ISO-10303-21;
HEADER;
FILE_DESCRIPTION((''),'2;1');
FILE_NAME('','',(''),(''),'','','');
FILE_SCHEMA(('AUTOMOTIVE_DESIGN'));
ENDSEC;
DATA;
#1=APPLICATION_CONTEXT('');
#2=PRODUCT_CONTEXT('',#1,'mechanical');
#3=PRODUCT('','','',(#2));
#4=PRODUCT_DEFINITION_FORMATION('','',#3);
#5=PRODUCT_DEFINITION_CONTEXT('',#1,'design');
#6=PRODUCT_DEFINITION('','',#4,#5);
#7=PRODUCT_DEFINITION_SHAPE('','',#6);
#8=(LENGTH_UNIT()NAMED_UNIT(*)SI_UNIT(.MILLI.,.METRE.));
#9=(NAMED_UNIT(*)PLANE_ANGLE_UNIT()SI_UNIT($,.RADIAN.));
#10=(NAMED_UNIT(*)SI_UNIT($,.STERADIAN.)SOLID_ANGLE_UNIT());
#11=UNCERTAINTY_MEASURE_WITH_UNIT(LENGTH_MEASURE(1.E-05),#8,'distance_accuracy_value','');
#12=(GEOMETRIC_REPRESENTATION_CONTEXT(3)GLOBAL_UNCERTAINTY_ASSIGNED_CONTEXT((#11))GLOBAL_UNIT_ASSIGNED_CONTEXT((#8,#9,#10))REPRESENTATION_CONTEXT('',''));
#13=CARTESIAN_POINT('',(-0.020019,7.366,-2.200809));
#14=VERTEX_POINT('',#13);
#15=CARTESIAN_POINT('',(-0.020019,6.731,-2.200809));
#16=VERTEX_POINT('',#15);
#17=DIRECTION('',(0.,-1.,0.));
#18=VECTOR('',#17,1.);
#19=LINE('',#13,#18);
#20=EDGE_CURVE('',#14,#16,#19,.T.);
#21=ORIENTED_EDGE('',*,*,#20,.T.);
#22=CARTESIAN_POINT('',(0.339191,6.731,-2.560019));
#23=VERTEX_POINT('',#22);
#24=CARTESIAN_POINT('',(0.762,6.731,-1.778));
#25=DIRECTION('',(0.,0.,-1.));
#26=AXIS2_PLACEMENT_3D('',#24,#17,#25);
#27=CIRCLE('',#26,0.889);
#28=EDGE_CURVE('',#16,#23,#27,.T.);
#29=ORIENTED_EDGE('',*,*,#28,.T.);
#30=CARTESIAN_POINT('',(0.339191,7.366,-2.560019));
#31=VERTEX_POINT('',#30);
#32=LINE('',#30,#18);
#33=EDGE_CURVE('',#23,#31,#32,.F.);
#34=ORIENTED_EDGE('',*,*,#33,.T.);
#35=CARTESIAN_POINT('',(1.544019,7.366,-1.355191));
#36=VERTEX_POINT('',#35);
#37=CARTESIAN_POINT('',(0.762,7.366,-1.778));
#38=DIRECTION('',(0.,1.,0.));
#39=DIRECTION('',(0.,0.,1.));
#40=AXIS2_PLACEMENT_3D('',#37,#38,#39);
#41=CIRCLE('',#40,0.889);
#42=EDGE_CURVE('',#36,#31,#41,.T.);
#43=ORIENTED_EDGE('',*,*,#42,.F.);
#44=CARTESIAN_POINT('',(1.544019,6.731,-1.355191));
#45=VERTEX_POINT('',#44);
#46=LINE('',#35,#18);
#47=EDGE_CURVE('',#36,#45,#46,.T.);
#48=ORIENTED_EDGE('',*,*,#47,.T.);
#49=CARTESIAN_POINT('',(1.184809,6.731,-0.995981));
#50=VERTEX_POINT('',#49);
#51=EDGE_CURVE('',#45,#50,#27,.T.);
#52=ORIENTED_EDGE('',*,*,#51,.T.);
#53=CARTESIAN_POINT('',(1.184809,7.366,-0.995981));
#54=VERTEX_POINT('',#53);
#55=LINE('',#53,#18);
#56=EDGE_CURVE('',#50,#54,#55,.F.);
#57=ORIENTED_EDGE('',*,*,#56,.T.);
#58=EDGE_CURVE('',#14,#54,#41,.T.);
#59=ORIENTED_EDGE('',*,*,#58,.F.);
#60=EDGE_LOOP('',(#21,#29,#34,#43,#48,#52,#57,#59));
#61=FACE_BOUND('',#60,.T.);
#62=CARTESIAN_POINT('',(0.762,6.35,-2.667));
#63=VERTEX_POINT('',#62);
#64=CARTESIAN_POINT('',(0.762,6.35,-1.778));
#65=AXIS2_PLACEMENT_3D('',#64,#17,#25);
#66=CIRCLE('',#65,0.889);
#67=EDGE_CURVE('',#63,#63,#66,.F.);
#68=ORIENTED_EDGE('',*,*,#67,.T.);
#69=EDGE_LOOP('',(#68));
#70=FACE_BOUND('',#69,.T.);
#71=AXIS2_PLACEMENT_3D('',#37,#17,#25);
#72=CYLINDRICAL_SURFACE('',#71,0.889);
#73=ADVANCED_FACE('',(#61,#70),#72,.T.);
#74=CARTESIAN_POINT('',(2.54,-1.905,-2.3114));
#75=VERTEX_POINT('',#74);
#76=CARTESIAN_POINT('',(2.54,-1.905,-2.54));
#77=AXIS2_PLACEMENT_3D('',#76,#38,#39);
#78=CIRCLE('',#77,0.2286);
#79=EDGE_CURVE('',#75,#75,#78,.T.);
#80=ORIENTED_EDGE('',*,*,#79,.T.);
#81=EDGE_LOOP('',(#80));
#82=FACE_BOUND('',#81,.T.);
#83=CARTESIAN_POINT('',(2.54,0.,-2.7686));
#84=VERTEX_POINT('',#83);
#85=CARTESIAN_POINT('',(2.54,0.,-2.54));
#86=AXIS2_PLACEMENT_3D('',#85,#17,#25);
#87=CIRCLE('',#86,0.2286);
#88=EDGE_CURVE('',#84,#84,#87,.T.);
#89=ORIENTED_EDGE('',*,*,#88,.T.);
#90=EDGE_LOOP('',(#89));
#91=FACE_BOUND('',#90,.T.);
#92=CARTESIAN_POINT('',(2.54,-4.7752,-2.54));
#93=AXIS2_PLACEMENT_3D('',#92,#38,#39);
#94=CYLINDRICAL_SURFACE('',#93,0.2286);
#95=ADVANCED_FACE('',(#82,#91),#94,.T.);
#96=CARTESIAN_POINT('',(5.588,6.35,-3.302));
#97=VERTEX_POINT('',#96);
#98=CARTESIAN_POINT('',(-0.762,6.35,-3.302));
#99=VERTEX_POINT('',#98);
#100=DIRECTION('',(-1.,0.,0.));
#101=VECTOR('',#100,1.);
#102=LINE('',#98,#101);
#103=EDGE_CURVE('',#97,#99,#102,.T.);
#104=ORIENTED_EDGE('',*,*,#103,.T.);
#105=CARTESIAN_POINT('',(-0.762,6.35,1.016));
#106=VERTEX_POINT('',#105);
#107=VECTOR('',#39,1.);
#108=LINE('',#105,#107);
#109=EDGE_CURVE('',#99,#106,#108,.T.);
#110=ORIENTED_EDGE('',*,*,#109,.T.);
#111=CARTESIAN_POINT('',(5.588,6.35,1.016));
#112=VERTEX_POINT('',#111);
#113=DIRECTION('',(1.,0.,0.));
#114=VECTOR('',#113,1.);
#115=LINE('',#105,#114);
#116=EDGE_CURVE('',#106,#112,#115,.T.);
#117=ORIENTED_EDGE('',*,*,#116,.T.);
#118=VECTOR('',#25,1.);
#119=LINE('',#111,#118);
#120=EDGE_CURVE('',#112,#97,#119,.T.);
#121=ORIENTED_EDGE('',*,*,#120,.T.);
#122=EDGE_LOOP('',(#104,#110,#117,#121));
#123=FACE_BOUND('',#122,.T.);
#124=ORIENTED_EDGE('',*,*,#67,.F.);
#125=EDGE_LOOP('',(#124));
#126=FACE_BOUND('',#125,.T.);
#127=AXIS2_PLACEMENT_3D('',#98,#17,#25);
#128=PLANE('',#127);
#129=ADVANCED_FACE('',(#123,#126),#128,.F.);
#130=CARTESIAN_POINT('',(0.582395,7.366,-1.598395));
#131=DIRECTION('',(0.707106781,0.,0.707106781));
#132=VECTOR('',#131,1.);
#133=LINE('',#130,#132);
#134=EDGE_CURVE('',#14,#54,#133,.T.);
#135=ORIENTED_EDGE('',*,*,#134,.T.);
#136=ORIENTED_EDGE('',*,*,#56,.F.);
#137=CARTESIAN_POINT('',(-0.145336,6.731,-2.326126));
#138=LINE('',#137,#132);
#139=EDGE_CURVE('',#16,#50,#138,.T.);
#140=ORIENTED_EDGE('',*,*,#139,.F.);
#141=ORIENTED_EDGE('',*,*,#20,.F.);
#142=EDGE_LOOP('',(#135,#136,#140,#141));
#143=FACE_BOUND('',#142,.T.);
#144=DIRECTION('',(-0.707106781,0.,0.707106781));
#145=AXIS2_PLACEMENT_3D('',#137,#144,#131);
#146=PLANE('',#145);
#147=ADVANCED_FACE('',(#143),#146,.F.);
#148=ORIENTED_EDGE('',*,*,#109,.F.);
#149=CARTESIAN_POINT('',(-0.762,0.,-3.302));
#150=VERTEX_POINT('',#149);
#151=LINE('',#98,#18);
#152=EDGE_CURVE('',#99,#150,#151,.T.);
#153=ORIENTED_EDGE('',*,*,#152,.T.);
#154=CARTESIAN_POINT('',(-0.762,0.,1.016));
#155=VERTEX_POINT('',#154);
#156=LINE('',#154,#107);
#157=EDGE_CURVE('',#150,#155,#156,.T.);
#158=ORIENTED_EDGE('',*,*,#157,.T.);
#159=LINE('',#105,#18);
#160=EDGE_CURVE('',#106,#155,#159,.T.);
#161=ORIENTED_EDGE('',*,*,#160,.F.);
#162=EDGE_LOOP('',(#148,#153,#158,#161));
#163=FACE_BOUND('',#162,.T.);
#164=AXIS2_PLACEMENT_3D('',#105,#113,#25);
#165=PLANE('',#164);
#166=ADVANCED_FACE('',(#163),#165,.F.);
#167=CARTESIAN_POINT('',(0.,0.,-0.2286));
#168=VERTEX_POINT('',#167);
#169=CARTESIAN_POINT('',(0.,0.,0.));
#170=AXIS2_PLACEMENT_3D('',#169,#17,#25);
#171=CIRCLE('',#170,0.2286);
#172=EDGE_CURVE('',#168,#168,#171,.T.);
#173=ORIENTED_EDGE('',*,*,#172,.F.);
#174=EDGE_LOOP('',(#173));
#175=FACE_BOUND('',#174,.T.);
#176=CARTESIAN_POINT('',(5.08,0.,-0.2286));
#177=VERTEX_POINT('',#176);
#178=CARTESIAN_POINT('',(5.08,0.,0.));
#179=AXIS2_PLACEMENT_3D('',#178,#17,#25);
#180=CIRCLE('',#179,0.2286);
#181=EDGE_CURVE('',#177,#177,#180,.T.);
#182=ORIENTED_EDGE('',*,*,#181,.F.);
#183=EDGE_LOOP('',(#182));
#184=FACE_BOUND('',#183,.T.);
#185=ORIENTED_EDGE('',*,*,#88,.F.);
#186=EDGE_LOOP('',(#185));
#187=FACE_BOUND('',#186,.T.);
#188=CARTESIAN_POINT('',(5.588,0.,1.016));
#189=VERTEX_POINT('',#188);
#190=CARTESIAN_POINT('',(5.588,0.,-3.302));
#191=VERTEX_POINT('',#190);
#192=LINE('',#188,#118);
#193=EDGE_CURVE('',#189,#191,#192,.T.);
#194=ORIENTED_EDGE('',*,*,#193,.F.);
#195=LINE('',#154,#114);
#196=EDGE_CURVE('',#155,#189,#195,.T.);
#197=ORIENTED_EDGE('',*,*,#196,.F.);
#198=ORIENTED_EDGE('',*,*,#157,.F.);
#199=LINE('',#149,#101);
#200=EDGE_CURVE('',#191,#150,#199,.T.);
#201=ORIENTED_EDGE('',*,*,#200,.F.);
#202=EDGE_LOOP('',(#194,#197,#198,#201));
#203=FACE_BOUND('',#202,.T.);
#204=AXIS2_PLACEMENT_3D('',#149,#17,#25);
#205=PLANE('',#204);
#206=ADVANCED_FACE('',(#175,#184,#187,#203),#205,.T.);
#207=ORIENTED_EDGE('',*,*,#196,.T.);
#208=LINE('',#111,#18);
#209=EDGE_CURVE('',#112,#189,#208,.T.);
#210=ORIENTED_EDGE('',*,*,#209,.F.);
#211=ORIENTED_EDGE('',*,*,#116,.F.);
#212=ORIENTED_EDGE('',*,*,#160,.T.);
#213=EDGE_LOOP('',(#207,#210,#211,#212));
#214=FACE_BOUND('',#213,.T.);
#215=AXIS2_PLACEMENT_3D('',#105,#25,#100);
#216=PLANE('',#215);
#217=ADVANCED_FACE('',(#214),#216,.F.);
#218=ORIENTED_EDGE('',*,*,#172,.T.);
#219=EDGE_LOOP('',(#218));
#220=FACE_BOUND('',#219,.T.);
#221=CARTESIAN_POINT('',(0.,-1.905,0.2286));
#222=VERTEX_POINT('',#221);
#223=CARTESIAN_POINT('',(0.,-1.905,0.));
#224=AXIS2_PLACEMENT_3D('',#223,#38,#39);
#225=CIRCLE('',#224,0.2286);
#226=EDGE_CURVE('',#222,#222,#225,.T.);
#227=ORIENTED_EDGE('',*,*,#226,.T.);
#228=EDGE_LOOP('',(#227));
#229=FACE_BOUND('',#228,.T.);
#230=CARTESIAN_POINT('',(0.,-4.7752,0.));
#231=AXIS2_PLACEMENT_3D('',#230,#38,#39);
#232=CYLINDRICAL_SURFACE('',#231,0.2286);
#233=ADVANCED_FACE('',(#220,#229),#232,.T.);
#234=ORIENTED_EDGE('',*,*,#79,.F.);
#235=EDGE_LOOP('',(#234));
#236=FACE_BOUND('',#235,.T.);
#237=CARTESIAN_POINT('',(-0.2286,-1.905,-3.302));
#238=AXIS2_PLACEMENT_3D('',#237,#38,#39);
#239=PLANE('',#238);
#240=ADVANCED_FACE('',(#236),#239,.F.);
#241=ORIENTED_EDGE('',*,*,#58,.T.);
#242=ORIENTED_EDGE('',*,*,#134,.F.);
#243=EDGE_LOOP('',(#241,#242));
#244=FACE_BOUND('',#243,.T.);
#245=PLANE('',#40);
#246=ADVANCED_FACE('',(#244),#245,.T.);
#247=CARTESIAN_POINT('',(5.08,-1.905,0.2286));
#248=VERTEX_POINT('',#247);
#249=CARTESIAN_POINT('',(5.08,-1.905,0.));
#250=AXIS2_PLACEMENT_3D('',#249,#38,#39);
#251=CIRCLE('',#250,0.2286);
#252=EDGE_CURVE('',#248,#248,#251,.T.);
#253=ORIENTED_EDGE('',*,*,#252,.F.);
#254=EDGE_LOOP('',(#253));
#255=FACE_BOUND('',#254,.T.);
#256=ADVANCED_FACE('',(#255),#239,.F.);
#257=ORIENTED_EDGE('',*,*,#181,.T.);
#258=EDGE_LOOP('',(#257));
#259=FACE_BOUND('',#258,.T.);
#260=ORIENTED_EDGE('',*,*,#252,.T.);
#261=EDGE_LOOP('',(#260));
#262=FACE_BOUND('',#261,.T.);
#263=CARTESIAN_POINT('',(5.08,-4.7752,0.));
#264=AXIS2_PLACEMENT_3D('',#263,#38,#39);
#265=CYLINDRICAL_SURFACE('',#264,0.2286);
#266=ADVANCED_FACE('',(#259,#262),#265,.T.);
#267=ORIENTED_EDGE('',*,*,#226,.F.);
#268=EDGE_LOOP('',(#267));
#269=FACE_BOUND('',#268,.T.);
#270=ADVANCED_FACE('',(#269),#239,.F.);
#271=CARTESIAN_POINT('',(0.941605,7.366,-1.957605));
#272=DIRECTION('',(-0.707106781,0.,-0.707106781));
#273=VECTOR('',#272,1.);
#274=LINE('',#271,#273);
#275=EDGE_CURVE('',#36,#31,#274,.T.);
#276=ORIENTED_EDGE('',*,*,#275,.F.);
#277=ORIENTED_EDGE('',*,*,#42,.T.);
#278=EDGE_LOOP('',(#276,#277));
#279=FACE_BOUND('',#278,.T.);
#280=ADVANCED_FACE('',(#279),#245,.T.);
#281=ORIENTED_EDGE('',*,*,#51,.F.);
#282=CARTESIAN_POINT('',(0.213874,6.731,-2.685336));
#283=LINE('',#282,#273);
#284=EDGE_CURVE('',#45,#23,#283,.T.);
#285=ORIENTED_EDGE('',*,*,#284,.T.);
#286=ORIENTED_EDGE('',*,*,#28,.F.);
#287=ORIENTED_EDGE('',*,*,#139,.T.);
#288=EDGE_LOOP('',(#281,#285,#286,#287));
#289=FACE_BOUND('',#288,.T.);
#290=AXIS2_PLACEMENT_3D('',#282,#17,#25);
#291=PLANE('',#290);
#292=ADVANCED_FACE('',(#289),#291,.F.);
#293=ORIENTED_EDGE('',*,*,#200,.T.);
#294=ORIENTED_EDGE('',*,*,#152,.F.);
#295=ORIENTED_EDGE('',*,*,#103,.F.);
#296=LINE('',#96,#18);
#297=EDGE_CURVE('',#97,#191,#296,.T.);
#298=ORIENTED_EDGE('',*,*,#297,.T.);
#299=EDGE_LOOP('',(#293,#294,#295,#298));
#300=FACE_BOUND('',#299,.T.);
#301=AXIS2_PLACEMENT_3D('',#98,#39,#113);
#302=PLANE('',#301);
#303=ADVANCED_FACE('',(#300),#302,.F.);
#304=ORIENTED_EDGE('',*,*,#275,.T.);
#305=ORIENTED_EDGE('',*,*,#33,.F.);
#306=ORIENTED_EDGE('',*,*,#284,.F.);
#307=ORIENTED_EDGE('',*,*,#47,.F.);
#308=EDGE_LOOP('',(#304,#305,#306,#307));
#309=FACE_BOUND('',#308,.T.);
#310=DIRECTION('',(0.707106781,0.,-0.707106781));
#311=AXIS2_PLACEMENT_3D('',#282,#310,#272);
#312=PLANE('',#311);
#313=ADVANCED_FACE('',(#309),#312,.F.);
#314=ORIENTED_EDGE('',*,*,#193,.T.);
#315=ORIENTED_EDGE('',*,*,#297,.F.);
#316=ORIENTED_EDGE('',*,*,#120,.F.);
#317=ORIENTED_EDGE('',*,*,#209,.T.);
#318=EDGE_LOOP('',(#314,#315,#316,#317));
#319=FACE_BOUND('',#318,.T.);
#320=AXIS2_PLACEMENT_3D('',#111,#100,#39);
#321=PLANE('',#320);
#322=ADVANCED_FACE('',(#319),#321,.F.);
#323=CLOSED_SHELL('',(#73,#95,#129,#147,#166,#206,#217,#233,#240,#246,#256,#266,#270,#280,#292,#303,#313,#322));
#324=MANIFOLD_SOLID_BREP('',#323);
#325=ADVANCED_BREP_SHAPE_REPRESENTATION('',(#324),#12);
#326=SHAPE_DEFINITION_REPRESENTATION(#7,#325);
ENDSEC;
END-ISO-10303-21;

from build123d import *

# Parameters (mm, degrees)
SKETCH1_W      = 6.35
SKETCH1_H      = 4.318
EXTRUDE1_DEPTH = 6.35
SKETCH2_R      = 0.889
EXTRUDE2_DEPTH = 1.016
EXTRUDE3_DEPTH = 0.635
SKETCH4_R      = 0.2286
EXTRUDE4_DEPTH = 4.7752
SKETCH5_W      = 5.5372
SKETCH5_H      = 2.8702
PCB_TRIM_DEPTH = 11.204353189


with BuildPart() as part:
    # Sketch1 → Extrude1 (new body)
    with BuildSketch(Plane(origin=(0, 0, 0), x_dir=(1, 0, 0), z_dir=(0, 1, 0))):
        with Locations((2.413, 1.143)):
            Rectangle(SKETCH1_W, SKETCH1_H)
    extrude(amount=EXTRUDE1_DEPTH)

    # Sketch2 → Extrude2 (add)
    with BuildSketch(Plane(origin=(0, 6.35, 0), x_dir=(1, 0, 0), z_dir=(0, 1, 0))):
        with Locations(Location((0.762, 1.778, 0), (0, 0, 90))):
            Circle(SKETCH2_R)
    extrude(amount=EXTRUDE2_DEPTH)

    # Sketch3 → Extrude3 (cut)
    with BuildSketch(Plane(origin=(0, 7.366, 0), x_dir=(1, 0, 0), z_dir=(0, 1, 0))):
        Polygon((-0.145336371, 2.326126126), (1.310126126, 0.870663629), (1.669336371, 1.229873874), (0.213873874, 2.685336371), align=None)
    extrude(amount=-EXTRUDE3_DEPTH, mode=Mode.SUBTRACT)

    # Sketch4 → Extrude4 (add)
    with BuildSketch(Plane.XZ):
        with Locations(Location((0, 0, 0), (0, 0, 270))):
            Circle(SKETCH4_R)
        with Locations(Location((5.08, 0, 0), (0, 0, 270))):
            Circle(SKETCH4_R)
        with Locations(Location((2.54, -2.54, 0), (0, 0, 270))):
            Circle(SKETCH4_R)
    extrude(amount=EXTRUDE4_DEPTH)

    # Sketch5 → PCB Trim (cut, through all)
    with BuildSketch(Plane.XY.offset(1.016)):
        with Locations((2.54, -3.3401)):
            Rectangle(SKETCH5_W, SKETCH5_H)
    extrude(amount=-PCB_TRIM_DEPTH, mode=Mode.SUBTRACT)


solid = part.part
